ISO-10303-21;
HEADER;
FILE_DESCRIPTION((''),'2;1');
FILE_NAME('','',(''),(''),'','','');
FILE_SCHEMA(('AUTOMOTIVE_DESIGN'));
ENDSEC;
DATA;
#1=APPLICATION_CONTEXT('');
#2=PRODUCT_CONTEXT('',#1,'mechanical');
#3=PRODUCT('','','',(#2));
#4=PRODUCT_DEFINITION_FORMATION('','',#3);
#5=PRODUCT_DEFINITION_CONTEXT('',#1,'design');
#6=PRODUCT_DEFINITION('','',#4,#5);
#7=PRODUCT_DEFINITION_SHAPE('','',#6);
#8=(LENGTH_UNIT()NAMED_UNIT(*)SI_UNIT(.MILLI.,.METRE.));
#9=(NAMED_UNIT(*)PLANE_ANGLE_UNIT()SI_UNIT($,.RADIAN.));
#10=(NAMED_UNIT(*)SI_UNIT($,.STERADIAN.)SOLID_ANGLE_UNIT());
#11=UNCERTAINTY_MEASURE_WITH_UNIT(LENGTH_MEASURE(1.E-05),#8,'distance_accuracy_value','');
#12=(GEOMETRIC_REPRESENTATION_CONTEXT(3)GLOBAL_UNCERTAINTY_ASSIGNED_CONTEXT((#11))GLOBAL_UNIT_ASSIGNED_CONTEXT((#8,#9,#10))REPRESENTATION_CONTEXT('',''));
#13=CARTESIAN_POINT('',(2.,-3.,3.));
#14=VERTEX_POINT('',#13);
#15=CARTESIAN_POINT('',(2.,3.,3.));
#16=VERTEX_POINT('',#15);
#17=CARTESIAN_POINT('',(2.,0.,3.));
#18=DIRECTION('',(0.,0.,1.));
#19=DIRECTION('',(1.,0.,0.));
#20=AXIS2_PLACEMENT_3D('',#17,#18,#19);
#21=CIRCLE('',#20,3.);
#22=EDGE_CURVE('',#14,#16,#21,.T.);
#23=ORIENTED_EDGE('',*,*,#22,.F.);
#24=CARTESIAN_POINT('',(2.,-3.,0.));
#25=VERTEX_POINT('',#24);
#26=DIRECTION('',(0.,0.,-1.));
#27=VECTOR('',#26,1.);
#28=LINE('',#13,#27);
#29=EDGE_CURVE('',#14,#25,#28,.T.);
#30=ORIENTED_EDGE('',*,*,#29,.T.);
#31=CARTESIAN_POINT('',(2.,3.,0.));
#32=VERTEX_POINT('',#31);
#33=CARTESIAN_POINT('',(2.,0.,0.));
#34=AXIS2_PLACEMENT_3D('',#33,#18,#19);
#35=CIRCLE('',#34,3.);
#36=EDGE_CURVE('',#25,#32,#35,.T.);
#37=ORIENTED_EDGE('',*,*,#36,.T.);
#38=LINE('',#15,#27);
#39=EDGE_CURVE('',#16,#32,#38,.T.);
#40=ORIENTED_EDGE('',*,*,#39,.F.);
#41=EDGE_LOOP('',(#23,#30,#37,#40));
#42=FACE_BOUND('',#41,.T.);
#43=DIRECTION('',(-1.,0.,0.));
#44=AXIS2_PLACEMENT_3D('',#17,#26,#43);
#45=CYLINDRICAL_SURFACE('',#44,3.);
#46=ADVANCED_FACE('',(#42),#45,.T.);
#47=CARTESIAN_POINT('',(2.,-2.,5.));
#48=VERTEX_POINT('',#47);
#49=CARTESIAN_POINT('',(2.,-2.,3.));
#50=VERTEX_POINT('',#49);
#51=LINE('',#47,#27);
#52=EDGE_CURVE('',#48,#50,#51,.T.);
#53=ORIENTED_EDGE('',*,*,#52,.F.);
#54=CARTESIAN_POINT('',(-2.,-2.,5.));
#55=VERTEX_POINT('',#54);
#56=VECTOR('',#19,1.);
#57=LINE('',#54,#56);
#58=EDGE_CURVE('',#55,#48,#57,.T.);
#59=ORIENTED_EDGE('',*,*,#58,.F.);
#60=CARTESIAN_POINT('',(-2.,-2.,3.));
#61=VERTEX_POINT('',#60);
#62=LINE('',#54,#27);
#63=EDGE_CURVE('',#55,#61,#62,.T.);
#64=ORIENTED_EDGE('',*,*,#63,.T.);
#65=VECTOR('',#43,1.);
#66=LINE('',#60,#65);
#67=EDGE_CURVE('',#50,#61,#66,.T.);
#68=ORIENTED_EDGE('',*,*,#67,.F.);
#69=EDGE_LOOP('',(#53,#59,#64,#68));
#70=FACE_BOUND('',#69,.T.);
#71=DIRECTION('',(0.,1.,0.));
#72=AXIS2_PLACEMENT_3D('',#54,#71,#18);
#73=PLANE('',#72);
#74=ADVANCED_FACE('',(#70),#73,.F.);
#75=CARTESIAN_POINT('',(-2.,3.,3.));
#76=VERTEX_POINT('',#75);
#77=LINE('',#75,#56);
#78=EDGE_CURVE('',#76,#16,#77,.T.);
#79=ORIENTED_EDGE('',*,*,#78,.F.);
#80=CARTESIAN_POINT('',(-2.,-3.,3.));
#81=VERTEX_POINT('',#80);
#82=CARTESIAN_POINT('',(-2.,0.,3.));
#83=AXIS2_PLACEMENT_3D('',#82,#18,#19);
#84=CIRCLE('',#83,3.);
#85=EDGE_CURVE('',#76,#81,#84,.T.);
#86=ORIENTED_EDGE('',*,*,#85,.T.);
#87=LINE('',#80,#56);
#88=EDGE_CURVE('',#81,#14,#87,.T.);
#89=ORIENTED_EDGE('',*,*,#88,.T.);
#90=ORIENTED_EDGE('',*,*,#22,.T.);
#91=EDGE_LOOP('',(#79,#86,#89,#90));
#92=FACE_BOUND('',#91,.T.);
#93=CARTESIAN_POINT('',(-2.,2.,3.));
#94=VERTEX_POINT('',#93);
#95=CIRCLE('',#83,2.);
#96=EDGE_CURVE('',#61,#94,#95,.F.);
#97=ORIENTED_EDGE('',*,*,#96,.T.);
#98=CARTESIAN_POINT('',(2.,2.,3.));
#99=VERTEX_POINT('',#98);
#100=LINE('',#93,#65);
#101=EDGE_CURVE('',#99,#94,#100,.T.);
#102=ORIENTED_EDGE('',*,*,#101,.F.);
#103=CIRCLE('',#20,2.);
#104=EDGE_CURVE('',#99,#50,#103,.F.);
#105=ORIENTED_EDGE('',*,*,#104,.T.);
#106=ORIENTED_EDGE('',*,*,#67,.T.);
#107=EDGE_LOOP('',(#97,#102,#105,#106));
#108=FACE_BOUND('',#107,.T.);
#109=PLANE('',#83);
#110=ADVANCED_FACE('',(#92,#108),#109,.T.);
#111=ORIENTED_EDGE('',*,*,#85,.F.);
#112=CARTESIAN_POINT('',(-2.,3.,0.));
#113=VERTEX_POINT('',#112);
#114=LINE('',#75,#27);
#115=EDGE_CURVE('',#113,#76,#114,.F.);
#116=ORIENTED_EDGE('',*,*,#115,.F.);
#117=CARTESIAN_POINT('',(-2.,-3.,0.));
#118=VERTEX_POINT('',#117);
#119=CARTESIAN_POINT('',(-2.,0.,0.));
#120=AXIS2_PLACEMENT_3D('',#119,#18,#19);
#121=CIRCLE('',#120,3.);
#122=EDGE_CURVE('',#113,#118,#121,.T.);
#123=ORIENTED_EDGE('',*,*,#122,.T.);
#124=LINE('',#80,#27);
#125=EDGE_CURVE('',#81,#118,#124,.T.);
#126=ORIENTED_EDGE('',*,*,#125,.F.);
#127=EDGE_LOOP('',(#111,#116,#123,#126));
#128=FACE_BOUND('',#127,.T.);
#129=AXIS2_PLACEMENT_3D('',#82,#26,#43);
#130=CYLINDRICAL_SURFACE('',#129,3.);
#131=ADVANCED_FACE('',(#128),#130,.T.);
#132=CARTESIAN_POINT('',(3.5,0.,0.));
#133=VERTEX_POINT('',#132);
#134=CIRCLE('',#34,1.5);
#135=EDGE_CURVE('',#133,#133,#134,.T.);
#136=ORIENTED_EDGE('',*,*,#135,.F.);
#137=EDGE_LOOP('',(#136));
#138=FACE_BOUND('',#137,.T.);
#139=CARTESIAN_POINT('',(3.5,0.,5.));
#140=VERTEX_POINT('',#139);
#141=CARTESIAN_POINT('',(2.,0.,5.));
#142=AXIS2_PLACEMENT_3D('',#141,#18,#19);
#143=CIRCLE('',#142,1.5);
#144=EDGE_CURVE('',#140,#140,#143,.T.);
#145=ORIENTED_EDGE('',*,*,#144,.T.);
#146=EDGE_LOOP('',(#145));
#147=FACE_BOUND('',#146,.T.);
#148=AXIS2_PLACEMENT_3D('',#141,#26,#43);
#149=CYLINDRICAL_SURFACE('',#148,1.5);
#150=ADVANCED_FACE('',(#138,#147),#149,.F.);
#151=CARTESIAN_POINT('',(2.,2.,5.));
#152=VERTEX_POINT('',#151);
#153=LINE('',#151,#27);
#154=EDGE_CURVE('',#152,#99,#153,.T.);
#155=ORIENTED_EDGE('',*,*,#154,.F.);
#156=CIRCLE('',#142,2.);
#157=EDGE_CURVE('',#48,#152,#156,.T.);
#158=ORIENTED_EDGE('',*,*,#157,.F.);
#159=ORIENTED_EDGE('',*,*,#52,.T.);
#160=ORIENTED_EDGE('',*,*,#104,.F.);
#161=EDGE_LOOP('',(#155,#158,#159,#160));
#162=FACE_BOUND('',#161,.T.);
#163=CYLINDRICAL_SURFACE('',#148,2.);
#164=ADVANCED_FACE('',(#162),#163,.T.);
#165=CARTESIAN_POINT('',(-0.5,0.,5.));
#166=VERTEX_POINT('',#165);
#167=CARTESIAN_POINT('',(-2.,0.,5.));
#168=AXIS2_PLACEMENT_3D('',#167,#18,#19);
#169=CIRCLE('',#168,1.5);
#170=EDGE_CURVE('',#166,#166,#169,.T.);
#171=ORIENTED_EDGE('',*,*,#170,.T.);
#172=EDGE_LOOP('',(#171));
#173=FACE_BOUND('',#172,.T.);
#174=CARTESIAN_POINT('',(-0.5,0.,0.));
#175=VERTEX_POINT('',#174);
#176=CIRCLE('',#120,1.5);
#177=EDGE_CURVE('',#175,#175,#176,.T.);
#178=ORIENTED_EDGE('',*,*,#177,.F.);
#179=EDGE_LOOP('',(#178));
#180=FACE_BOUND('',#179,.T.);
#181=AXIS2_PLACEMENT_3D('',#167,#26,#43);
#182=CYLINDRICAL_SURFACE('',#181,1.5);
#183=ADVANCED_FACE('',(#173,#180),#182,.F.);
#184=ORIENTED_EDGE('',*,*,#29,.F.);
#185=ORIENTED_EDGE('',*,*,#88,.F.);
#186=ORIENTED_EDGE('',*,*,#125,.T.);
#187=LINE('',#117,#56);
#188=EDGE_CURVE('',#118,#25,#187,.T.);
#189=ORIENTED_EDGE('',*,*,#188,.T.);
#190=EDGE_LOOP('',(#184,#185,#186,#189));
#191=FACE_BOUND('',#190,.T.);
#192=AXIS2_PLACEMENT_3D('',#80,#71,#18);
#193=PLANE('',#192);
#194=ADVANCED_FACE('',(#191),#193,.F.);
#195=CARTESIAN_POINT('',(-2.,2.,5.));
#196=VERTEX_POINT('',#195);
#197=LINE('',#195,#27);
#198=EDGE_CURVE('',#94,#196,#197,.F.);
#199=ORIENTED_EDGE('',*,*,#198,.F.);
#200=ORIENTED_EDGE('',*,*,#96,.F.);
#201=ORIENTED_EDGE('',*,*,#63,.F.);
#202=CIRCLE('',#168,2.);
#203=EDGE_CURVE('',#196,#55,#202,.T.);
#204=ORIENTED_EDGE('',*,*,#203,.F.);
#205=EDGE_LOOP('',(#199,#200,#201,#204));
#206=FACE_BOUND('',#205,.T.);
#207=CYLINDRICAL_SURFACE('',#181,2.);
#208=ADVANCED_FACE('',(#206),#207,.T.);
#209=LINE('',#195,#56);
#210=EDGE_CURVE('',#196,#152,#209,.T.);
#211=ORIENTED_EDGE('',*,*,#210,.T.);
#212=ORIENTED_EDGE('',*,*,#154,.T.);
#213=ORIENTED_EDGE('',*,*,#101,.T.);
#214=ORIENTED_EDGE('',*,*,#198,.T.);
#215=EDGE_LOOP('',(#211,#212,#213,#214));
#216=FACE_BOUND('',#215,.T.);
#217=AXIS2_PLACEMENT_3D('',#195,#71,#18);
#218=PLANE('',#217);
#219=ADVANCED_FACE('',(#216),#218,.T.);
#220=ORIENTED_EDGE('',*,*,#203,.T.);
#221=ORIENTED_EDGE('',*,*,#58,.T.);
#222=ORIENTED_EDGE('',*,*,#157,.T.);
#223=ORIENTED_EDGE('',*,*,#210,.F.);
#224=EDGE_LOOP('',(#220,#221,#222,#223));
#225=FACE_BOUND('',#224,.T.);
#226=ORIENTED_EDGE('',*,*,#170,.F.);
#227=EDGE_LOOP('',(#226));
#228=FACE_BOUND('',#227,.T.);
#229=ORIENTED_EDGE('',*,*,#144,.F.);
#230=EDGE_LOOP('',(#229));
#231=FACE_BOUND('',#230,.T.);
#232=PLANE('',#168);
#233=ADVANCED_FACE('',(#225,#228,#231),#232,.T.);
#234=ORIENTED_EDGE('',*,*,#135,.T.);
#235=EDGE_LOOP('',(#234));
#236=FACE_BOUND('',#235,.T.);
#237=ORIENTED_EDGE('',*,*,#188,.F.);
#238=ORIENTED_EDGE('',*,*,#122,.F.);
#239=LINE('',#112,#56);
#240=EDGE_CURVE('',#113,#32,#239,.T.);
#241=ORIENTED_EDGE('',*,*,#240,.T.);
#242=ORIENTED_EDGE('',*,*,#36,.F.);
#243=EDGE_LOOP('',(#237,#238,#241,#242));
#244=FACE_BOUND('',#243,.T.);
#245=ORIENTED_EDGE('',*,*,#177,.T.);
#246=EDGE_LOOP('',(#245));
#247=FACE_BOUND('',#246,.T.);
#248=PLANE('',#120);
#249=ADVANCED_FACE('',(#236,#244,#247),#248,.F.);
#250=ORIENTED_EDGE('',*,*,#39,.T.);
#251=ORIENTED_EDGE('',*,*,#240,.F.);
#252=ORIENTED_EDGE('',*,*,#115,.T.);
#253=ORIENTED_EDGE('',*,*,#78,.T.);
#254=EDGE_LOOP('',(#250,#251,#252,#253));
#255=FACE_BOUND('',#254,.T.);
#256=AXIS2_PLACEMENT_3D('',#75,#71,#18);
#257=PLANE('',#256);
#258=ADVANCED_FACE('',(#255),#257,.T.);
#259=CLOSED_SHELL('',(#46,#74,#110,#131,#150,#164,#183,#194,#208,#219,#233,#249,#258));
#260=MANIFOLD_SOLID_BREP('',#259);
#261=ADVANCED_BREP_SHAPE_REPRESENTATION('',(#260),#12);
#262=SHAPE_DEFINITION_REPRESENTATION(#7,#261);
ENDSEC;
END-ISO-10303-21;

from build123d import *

# Parameters (mm, degrees)
SKETCH_1_R          = 3
SKETCH_1_W          = 4
SKETCH_1_H          = 6
EXTRUDE_1_DEPTH     = 3
SKETCH_1_4_R        = 2
SKETCH_1_4_W        = 4
SKETCH_1_4_H        = 4
EXTRUDE_2_DEPTH     = 5
SKETCH_1_5_R        = 1.5
CUT_EXTRUDE_1_DEPTH = 6


with BuildPart() as part:
    # Sketch 1 → Extrude 1 (new body)
    with BuildSketch(Plane.XY):
        with Locations((-2, 0)):
            Circle(SKETCH_1_R)
        with Locations((2, 0)):
            Circle(SKETCH_1_R)
        Rectangle(SKETCH_1_W, SKETCH_1_H)
    extrude(amount=EXTRUDE_1_DEPTH)

    # Sketch 1_4 → Extrude 2 (add)
    with BuildSketch(Plane.XY):
        with Locations((-2, 0)):
            Circle(SKETCH_1_4_R)
        with Locations((2, 0)):
            Circle(SKETCH_1_4_R)
        Rectangle(SKETCH_1_4_W, SKETCH_1_4_H)
    extrude(amount=EXTRUDE_2_DEPTH)

    # Sketch 1_5 → Cut-Extrude 1 (cut, through all)
    with BuildSketch(Plane.XY):
        with Locations((-2, 0)):
            Circle(SKETCH_1_5_R)
        with Locations((2, 0)):
            Circle(SKETCH_1_5_R)
    extrude(amount=CUT_EXTRUDE_1_DEPTH, mode=Mode.SUBTRACT)


solid = part.part
